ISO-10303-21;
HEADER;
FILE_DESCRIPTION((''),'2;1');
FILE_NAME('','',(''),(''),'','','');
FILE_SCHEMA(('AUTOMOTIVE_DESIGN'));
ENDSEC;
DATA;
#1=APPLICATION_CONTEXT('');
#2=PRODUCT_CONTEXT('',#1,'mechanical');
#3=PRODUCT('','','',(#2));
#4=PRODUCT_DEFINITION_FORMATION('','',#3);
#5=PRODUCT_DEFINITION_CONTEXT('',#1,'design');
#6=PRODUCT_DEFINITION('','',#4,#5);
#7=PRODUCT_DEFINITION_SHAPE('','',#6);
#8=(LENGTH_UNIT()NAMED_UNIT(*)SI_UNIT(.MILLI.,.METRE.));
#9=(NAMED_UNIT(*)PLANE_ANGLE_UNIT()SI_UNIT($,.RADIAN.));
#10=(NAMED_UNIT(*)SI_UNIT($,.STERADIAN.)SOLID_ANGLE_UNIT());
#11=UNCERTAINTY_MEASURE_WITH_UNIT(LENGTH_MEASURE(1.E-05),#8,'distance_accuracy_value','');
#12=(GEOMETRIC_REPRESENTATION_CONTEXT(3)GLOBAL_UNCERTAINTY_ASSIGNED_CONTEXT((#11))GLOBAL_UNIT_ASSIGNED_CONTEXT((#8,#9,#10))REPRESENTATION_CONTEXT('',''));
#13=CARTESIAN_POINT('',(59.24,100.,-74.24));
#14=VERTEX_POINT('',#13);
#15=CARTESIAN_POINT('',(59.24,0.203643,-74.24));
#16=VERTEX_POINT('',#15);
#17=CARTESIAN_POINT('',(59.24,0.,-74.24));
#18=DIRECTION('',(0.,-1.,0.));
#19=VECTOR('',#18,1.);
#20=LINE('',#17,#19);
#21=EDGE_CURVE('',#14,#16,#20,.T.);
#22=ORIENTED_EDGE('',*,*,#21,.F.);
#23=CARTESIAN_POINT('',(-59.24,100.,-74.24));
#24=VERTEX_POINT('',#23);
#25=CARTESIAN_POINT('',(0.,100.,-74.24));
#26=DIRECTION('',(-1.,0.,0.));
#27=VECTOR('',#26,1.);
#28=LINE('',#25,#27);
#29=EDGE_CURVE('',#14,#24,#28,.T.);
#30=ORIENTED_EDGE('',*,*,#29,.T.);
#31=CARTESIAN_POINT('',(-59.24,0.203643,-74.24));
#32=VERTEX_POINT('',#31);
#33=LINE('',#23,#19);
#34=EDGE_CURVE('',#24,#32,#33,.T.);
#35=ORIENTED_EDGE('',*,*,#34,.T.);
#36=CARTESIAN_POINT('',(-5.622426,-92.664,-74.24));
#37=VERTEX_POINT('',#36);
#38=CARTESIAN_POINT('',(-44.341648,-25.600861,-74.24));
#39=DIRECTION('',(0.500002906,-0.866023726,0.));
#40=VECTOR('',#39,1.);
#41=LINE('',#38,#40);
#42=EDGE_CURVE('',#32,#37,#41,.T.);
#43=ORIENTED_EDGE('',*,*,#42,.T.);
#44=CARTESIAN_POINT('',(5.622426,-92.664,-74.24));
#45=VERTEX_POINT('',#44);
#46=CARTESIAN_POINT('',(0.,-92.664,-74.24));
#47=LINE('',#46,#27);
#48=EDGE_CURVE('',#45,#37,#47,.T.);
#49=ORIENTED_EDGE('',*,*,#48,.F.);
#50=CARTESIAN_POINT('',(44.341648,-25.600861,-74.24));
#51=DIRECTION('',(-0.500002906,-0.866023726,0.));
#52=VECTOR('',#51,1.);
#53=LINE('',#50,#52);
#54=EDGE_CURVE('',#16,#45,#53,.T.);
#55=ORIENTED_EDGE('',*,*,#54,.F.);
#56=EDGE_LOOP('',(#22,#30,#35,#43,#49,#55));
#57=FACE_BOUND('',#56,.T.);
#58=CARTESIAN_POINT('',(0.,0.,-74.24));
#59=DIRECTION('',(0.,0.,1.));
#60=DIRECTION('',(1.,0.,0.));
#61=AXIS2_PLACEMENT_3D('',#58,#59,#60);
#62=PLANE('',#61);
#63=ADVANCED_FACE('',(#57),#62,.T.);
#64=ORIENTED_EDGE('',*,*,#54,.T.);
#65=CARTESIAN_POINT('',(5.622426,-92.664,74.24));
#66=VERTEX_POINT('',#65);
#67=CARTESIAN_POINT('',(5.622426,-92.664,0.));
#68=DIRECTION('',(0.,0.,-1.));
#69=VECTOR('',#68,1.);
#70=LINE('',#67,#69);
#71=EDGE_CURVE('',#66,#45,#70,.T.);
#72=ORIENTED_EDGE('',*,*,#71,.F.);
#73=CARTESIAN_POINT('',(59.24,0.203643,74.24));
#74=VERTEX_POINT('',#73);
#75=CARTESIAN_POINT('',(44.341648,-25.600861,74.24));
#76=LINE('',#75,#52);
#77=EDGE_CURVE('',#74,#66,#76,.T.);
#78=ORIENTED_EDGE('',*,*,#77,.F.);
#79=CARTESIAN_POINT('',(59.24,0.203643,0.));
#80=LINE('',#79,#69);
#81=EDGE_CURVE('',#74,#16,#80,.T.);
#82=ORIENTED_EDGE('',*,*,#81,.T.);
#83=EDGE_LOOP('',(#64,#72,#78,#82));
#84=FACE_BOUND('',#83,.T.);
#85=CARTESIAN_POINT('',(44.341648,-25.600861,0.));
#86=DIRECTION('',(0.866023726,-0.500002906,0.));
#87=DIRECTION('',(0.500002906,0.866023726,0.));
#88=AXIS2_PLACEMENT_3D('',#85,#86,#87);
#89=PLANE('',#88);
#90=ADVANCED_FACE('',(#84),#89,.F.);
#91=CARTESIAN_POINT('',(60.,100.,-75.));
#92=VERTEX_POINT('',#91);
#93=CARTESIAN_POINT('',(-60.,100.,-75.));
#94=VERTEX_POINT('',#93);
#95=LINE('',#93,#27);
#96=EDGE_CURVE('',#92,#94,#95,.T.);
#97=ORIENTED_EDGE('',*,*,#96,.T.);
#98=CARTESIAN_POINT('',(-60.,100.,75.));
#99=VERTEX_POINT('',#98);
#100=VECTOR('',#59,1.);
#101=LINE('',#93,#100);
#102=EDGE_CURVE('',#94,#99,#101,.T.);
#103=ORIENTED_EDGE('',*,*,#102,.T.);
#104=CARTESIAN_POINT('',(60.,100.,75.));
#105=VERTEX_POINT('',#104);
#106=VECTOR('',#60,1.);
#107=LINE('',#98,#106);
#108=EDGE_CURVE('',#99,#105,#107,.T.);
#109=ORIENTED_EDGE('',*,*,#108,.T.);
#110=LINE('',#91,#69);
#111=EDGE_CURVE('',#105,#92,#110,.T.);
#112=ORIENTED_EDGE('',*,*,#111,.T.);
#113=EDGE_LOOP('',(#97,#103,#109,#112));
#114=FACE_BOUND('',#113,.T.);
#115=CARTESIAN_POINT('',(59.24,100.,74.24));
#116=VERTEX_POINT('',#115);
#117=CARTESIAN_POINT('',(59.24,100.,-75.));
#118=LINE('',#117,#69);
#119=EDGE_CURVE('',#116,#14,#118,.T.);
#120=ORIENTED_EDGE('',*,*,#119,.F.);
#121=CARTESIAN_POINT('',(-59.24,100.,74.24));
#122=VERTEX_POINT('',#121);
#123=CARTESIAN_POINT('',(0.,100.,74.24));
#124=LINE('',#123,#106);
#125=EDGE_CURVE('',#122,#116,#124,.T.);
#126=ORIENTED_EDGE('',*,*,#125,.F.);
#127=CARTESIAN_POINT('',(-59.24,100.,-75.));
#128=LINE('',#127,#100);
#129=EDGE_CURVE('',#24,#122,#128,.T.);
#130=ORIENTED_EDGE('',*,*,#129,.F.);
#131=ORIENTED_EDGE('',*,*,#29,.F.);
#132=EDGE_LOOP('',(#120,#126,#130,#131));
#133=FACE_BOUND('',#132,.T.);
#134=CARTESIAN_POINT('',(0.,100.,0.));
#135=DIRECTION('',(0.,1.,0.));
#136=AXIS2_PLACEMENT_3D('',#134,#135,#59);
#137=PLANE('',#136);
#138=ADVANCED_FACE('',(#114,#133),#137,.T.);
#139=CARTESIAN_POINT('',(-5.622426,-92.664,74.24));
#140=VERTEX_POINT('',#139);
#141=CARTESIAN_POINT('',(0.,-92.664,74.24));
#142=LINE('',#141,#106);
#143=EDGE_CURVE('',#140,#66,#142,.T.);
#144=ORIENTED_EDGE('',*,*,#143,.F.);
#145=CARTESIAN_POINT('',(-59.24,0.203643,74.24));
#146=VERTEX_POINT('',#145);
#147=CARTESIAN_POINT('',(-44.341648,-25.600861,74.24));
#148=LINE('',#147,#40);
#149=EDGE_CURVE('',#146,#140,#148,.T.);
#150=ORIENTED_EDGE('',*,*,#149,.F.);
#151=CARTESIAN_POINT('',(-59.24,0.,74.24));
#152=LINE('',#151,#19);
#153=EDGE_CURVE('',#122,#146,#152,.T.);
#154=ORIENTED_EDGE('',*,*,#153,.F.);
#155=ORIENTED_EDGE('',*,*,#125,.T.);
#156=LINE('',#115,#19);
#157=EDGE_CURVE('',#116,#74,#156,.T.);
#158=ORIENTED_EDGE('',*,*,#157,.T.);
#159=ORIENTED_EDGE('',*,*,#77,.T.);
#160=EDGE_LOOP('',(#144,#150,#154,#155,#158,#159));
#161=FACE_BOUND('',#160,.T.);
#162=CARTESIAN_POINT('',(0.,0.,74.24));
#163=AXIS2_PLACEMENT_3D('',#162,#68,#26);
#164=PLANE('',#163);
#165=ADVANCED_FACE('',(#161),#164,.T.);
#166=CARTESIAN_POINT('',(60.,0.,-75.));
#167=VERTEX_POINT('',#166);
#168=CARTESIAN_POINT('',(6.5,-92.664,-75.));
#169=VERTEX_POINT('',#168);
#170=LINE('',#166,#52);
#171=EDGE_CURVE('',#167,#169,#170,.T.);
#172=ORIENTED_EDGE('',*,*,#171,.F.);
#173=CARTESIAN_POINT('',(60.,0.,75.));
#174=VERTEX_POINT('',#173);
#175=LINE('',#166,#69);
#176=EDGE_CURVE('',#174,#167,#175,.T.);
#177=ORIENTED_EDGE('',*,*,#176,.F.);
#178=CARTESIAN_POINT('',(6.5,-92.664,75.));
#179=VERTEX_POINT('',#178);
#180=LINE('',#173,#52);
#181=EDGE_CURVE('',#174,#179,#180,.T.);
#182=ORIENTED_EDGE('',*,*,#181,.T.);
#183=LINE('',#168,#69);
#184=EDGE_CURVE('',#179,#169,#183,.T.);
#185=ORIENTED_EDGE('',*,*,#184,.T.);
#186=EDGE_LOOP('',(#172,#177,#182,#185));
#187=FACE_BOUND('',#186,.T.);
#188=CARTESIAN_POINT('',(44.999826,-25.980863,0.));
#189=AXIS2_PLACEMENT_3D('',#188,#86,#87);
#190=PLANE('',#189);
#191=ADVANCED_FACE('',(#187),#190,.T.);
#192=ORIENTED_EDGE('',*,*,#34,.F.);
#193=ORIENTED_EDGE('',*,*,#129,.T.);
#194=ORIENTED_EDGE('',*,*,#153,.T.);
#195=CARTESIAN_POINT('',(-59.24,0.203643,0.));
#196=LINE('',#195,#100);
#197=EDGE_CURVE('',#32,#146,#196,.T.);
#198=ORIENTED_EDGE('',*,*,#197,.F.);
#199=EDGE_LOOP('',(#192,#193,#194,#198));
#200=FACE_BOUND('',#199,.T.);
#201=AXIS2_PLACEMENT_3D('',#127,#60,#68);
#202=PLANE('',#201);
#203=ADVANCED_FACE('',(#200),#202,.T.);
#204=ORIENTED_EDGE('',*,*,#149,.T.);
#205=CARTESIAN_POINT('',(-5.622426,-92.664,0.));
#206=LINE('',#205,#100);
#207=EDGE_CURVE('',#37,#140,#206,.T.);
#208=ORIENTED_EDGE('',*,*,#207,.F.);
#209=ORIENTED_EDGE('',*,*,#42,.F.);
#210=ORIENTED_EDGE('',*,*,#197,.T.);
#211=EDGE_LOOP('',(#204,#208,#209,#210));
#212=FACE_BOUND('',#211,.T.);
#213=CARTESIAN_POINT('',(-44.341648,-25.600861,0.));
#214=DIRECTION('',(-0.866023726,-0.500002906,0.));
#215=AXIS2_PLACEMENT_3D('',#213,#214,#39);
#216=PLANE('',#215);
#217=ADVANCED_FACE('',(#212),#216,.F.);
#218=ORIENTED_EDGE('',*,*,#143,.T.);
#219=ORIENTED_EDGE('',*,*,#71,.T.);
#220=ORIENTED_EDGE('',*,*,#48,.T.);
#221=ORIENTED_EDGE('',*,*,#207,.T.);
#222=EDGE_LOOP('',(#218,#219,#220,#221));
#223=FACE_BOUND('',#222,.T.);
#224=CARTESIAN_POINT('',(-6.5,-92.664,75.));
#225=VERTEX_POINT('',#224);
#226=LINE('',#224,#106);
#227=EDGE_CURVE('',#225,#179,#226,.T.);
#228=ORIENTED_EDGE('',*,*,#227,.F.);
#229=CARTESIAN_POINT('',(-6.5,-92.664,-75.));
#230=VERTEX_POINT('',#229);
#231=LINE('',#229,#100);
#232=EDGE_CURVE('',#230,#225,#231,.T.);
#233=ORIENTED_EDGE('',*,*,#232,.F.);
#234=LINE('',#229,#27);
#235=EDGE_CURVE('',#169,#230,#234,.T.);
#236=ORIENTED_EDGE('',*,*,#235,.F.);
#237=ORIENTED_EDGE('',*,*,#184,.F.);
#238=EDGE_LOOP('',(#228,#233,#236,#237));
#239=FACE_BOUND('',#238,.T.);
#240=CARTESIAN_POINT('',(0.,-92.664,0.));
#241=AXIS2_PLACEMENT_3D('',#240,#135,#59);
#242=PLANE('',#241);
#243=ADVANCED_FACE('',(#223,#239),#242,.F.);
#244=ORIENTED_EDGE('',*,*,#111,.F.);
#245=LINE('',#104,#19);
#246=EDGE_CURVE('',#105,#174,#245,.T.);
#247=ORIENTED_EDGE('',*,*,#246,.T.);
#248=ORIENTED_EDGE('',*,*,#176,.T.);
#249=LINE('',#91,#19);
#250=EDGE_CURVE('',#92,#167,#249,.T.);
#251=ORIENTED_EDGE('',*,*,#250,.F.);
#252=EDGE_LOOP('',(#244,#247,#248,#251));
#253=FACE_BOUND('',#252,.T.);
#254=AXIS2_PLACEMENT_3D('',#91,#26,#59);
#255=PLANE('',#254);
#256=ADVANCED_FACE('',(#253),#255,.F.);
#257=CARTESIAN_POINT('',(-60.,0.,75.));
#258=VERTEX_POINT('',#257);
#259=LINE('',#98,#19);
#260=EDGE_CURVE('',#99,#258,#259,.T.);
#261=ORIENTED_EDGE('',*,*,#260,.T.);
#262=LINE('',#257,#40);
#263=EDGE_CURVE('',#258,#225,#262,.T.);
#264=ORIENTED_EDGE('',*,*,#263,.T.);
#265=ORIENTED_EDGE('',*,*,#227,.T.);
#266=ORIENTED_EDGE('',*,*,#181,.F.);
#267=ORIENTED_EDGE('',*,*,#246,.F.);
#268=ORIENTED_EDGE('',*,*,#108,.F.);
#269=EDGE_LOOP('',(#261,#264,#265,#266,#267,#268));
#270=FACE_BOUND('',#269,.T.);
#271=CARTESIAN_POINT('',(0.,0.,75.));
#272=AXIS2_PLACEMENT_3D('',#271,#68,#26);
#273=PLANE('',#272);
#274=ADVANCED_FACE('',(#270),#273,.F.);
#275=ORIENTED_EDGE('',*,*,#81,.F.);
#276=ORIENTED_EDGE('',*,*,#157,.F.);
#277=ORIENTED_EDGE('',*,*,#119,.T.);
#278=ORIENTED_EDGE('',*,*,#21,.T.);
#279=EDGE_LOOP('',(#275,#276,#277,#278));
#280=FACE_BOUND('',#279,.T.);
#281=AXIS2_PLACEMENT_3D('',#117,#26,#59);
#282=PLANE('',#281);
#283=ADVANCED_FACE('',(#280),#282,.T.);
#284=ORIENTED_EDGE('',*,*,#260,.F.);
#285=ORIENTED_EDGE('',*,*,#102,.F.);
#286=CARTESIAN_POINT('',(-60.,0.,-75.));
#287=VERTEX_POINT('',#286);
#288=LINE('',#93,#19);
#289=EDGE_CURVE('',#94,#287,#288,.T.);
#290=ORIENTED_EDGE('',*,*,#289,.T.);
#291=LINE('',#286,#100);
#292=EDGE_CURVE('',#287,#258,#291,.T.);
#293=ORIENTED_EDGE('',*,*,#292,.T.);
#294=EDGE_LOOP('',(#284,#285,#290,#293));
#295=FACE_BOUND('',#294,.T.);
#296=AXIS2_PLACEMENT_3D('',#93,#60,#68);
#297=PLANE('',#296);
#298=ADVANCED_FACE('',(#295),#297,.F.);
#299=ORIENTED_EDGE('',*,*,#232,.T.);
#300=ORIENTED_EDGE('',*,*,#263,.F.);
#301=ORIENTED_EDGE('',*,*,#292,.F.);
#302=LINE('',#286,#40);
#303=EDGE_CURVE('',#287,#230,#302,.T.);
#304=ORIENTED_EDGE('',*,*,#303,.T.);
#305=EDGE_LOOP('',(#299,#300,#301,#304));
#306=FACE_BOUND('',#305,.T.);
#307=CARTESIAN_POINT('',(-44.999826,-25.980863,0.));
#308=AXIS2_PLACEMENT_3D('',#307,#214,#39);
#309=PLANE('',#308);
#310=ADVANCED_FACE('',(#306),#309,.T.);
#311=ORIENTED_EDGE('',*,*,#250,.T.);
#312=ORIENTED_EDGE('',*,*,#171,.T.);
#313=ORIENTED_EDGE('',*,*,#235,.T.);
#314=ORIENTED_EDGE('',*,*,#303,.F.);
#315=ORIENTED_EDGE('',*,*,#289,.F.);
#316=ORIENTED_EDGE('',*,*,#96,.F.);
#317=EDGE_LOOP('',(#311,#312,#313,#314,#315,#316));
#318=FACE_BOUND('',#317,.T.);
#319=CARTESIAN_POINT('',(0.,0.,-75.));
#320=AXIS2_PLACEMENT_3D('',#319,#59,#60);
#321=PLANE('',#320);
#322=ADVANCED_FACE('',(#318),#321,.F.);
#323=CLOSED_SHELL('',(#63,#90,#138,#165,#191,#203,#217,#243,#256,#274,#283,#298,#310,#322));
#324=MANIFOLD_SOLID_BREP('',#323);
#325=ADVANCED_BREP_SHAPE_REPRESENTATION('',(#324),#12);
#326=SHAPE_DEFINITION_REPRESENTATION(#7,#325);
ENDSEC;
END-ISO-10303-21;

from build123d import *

# Parameters (mm, degrees)
CROQUIS3_W              = 120
CROQUIS3_H              = 150
SALIENTE_EXTRUIR1_DEPTH = 100
VACIADO2_T              = -0.76


with BuildPart() as part:
    # Croquis1 → Recubrir1 section 0
    with BuildSketch(Plane(origin=(0, 0, 0), x_dir=(1, 0, 0), z_dir=(0, 1, 0))):
        with BuildLine():
            Line((-60, 75), (60, 75))
            Line((60, 75), (60, -75))
            Line((60, -75), (-60, -75))
            Line((-60, -75), (-60, 75))
        make_face()
    # Croquis2 → Recubrir1 section 1
    with BuildSketch(Plane(origin=(0, -92.664, 0), x_dir=(1, 0, 0), z_dir=(0, 1, 0))):
        with BuildLine():
            Line((-6.5, 75), (6.5, 75))
            Line((6.5, 75), (6.5, -75))
            Line((6.5, -75), (-6.5, -75))
            Line((-6.5, -75), (-6.5, 75))
        make_face()
    loft()

    # Croquis3 → Saliente-Extruir1 (add)
    with BuildSketch(Plane(origin=(0, 0, 0), x_dir=(1, 0, 0), z_dir=(0, 1, 0))):
        Rectangle(CROQUIS3_W, CROQUIS3_H)
    extrude(amount=SALIENTE_EXTRUIR1_DEPTH)

    # Vaciado2
    vaciado2_openings = [part.faces().sort_by_distance(p)[0] for p in [
        (0, -92.664, 0),
        (0, 100, 0),
    ]]
    offset(amount=VACIADO2_T, openings=vaciado2_openings, kind=Kind.INTERSECTION)


solid = part.part
